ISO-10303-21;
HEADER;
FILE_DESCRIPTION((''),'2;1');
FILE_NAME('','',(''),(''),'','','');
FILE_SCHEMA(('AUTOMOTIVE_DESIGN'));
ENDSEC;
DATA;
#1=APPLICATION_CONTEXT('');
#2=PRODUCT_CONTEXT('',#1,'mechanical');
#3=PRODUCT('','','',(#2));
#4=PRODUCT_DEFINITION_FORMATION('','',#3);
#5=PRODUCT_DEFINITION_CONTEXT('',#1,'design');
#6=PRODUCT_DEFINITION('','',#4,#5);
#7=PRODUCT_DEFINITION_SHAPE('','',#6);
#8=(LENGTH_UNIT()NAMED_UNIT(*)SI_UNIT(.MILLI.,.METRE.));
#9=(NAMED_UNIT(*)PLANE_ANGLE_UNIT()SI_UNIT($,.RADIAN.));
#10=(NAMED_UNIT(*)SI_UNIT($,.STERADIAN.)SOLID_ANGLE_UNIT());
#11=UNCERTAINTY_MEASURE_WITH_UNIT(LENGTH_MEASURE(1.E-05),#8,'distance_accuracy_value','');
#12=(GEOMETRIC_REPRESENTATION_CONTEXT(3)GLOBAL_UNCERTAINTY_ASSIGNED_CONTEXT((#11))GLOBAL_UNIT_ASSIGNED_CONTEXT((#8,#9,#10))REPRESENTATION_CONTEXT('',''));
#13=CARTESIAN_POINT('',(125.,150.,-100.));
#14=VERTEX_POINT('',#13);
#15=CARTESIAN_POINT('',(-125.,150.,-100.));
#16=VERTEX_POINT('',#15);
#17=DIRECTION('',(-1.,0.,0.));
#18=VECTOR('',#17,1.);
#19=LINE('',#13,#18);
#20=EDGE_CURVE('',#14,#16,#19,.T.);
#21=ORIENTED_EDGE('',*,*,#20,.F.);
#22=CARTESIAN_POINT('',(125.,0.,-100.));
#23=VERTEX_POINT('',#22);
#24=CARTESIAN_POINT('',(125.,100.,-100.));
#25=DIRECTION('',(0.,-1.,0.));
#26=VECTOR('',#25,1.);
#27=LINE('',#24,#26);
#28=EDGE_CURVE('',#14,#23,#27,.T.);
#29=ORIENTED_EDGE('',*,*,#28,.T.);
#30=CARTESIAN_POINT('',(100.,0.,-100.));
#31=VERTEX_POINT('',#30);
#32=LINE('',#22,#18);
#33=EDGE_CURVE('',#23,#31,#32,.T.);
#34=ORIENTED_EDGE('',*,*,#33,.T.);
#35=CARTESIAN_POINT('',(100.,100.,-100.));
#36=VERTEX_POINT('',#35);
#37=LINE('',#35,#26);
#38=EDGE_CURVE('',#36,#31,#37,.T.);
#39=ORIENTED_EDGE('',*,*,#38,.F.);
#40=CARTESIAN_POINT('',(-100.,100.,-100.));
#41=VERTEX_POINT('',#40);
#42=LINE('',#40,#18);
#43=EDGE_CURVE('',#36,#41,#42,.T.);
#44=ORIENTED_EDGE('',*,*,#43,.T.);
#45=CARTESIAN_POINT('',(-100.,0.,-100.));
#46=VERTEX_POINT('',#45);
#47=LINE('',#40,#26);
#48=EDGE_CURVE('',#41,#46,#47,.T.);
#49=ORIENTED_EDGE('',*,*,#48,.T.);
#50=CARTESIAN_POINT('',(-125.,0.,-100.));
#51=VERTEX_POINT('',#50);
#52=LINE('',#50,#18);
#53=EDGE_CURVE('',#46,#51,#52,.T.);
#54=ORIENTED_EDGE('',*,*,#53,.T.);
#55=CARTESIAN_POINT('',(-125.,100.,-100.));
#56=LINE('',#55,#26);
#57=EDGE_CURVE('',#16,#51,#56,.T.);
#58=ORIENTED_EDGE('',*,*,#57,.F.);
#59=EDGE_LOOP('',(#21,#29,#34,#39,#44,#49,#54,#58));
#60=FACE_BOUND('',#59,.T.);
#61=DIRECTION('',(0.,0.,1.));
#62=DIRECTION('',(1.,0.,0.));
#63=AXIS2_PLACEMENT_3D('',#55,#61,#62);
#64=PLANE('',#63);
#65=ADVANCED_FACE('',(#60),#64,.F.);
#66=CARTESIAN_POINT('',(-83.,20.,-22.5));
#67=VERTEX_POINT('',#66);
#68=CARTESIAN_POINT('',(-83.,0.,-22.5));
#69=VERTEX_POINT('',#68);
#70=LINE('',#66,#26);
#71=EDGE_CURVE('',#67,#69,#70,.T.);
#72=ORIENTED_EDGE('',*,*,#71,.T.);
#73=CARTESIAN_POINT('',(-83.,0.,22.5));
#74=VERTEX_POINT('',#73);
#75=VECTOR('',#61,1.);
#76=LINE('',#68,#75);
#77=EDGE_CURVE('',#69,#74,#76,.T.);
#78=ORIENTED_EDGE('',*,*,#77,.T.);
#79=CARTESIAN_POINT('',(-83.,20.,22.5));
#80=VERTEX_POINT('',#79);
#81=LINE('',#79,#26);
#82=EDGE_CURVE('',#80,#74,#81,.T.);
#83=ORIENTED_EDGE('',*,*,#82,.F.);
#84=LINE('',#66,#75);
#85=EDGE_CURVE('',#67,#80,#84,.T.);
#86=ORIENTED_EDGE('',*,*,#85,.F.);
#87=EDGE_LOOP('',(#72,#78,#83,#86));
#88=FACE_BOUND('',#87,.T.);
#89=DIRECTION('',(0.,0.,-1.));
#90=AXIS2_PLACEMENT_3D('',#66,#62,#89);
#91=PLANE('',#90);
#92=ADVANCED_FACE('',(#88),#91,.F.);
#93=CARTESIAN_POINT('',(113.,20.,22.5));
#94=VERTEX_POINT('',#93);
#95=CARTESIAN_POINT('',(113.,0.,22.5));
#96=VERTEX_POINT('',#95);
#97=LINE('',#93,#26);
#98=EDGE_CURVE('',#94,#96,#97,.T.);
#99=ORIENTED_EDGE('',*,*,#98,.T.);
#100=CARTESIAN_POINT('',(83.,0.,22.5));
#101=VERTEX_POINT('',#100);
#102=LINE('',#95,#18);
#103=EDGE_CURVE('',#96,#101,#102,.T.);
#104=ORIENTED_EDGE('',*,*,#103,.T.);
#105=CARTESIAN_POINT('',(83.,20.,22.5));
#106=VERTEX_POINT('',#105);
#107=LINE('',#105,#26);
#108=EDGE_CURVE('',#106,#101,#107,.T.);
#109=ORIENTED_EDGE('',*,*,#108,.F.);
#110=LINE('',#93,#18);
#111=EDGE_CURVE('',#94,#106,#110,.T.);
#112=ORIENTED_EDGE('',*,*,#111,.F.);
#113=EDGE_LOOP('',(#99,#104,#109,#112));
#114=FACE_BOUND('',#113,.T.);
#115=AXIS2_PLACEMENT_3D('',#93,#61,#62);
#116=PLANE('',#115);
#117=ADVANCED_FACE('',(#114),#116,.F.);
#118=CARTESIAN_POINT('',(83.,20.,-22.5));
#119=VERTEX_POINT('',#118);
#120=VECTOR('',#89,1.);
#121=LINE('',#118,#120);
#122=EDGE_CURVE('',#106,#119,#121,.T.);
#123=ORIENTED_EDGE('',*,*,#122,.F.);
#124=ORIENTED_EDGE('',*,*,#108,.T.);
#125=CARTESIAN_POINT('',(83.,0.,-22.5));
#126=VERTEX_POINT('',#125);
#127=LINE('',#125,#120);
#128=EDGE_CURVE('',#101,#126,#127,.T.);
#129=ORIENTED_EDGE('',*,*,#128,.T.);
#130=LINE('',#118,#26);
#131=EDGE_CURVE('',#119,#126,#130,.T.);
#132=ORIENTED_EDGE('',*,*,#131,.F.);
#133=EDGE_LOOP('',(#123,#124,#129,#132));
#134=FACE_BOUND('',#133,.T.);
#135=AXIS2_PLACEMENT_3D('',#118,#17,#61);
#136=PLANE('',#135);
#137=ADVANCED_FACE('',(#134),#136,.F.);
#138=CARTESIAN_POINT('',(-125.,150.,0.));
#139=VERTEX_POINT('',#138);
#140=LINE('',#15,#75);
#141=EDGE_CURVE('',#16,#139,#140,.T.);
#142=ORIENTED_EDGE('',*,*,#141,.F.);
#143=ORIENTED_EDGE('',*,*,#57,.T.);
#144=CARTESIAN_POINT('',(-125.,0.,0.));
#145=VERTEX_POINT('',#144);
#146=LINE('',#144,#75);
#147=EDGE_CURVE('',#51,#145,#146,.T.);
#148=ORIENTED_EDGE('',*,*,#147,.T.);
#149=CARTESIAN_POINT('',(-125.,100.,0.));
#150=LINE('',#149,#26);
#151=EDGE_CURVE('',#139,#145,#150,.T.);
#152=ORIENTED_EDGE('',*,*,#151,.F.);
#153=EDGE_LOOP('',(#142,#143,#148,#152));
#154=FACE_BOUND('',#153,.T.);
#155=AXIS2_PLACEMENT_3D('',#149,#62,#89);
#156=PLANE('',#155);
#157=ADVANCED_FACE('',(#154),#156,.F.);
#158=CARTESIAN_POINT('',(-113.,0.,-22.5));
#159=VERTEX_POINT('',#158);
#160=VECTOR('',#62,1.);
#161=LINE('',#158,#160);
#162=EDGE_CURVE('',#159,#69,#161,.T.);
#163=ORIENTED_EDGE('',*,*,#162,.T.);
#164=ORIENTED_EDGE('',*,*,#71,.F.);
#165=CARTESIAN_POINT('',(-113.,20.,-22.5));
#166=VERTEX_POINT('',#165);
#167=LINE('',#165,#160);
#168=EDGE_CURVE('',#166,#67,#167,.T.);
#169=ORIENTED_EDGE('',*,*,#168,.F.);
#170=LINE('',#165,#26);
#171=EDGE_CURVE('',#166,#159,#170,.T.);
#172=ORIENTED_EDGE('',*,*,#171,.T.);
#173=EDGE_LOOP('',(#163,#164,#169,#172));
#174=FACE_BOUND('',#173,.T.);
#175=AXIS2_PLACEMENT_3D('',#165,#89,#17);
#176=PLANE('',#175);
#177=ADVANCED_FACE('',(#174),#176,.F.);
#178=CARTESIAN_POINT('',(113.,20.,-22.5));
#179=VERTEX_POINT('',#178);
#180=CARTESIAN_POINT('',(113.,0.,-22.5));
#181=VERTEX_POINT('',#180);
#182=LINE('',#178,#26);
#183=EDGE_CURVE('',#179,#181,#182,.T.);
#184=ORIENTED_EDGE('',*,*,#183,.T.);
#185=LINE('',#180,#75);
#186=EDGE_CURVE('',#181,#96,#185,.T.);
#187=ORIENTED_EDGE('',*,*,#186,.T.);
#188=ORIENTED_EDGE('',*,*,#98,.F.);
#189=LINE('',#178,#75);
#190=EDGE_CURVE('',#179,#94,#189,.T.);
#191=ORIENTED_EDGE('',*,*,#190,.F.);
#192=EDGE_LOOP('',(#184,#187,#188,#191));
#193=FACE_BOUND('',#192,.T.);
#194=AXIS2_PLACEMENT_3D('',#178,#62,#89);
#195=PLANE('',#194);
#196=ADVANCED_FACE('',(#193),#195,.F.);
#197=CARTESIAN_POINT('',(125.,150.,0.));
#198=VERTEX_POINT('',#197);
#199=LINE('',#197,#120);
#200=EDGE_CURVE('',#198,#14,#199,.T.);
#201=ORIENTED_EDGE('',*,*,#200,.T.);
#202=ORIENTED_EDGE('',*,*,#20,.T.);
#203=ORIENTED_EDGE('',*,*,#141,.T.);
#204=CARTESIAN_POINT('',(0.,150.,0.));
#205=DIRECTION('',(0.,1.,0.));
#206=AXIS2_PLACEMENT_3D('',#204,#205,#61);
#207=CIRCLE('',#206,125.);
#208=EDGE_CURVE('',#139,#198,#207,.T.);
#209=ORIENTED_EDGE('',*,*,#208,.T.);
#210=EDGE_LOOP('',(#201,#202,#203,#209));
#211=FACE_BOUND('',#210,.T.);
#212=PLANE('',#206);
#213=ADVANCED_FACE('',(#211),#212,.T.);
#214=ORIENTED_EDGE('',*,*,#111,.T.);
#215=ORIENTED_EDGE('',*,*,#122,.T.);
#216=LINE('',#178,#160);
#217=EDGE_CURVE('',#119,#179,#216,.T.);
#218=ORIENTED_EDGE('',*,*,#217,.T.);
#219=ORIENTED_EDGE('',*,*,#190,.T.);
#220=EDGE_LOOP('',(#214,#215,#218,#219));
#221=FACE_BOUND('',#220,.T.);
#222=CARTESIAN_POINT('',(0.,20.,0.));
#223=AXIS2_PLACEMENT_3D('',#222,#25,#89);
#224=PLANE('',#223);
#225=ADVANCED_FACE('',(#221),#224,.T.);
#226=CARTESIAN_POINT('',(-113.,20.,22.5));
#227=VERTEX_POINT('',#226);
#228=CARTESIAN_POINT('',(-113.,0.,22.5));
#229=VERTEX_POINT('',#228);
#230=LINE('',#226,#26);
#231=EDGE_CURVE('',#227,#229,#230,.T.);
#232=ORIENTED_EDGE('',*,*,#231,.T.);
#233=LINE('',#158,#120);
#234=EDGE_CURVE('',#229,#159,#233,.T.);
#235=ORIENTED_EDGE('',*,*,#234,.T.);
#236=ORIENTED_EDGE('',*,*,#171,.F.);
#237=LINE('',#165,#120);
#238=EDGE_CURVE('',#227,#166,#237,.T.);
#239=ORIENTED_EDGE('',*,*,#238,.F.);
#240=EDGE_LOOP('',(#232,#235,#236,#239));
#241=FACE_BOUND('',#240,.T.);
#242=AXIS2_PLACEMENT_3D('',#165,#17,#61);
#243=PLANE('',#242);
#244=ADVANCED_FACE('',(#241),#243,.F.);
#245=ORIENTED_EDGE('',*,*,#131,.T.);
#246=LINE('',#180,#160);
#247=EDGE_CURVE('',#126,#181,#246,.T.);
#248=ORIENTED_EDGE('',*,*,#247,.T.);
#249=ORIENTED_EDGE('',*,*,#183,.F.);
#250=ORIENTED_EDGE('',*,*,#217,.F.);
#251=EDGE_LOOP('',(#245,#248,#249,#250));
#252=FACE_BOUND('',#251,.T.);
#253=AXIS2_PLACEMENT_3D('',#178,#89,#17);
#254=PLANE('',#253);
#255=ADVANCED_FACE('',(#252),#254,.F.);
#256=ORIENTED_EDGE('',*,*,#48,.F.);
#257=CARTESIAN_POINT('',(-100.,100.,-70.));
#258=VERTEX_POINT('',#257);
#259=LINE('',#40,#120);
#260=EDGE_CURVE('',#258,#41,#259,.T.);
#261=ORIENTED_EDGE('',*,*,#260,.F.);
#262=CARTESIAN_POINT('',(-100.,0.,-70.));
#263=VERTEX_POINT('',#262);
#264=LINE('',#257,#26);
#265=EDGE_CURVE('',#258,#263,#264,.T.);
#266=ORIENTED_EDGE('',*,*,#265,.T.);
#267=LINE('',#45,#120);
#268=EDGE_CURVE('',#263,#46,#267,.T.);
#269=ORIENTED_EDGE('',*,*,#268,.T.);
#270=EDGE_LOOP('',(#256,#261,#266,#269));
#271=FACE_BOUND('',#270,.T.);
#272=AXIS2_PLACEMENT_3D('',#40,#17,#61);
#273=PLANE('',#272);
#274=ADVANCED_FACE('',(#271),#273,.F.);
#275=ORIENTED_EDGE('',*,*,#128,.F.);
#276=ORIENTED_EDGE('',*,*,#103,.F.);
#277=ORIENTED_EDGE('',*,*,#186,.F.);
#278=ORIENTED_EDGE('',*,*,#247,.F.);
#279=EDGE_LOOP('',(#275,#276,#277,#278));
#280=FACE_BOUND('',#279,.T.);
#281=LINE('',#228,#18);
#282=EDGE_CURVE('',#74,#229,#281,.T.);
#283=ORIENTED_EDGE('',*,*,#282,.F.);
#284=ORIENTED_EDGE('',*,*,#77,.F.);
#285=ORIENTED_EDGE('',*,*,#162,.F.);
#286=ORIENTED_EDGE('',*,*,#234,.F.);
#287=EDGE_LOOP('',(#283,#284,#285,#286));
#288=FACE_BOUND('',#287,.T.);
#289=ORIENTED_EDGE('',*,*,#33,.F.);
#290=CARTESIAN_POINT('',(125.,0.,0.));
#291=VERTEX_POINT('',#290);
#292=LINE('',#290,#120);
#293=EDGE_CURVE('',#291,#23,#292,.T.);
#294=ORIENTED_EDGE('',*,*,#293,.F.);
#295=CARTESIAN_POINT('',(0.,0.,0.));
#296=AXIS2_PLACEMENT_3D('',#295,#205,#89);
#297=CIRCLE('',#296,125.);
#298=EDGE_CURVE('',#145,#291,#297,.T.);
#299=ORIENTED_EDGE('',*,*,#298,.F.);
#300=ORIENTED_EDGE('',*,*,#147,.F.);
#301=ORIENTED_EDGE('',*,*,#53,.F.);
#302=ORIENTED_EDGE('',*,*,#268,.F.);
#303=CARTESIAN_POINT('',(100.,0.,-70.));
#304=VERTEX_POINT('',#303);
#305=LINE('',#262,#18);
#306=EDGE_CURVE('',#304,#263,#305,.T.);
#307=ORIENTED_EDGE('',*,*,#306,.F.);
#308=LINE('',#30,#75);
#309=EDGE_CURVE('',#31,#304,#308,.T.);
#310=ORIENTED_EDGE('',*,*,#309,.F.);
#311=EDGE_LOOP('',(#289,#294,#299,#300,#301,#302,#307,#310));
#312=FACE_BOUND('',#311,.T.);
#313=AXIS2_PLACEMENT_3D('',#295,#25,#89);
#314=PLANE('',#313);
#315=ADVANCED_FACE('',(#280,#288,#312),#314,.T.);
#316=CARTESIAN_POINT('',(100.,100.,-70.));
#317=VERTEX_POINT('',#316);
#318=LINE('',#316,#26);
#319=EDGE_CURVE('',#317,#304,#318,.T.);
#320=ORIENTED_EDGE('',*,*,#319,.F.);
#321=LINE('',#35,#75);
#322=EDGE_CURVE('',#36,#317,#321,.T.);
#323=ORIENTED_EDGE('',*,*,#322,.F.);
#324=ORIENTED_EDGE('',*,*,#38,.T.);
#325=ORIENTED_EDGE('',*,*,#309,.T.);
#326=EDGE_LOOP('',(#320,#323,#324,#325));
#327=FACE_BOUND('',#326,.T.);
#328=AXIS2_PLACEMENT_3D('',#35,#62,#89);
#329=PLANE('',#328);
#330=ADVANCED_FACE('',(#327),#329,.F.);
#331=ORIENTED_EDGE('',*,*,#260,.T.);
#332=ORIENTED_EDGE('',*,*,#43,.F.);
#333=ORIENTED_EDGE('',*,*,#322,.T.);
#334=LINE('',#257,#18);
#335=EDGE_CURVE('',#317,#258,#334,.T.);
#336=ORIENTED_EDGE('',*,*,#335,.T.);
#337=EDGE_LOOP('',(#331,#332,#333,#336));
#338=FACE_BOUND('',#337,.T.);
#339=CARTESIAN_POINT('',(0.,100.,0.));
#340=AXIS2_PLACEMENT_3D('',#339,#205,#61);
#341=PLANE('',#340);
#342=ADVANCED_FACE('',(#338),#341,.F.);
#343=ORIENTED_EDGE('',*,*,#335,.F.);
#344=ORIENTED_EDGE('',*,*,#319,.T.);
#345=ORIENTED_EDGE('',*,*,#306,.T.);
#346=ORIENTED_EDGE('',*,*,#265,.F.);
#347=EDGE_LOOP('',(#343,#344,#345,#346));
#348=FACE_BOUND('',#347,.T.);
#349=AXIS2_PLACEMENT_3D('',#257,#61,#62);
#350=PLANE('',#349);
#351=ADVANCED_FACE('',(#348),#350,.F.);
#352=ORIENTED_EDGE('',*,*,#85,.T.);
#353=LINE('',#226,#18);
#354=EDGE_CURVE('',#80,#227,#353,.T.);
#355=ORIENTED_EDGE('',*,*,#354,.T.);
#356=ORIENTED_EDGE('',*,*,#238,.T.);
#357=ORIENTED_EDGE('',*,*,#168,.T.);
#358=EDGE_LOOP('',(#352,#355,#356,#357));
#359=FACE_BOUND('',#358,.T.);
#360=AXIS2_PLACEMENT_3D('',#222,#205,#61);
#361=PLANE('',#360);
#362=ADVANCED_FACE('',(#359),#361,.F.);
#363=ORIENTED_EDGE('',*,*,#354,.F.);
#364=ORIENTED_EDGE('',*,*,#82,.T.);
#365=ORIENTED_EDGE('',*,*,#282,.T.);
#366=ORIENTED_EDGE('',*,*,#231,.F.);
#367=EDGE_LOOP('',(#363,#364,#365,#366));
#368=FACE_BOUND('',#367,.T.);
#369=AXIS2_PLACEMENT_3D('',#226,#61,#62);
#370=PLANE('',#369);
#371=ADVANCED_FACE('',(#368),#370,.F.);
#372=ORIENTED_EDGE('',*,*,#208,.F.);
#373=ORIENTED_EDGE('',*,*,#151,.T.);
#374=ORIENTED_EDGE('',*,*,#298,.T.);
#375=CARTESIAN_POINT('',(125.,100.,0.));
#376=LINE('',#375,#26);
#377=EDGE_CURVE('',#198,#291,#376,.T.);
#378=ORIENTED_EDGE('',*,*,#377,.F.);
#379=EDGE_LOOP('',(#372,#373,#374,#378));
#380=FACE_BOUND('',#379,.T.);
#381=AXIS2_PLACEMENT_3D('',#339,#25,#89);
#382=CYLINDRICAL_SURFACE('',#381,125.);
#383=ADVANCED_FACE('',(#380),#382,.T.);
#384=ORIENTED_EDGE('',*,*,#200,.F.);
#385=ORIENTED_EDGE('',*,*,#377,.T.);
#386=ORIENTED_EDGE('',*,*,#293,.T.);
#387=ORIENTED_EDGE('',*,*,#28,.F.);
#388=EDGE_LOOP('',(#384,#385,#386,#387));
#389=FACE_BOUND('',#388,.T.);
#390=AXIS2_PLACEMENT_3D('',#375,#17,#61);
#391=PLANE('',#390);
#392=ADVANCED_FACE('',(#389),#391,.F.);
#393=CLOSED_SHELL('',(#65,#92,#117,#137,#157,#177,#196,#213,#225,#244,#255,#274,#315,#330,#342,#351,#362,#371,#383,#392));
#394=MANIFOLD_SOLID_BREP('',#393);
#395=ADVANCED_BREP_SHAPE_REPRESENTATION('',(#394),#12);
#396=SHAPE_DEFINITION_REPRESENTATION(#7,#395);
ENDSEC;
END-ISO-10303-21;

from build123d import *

# Parameters (mm, degrees)
BOSS_EXTRUDE1_DEPTH = 100
BOSS_EXTRUDE2_DEPTH = 50
SKETCH5_W           = 30
SKETCH5_H           = 45
CUT_EXTRUDE1_DEPTH  = 20


with BuildPart() as part:
    # Sketch3 → Boss-Extrude1 (new body)
    with BuildSketch(Plane(origin=(0, 0, 0), x_dir=(1, 0, 0), z_dir=(0, 1, 0))):
        with BuildLine():
            Line((-125, 0), (-125, 100))
            Line((-125, 100), (-100, 100))
            Line((-100, 100), (-100, 70))
            Line((-100, 70), (100, 70))
            Line((100, 70), (100, 100))
            Line((100, 100), (125, 100))
            Line((125, 100), (125, 0))
            ThreePointArc((125, 0), (0, -125), (-125, 0))
        make_face()
    extrude(amount=BOSS_EXTRUDE1_DEPTH)

    # Sketch4 → Boss-Extrude2 (add)
    with BuildSketch(Plane(origin=(0, 100, 0), x_dir=(1, 0, 0), z_dir=(0, 1, 0))):
        with BuildLine():
            Line((-100, 100), (100, 100))
            Line((100, 100), (125, 100))
            Line((125, 100), (125, 0))
            ThreePointArc((125, 0), (0, -125), (-125, 0))
            Line((-125, 0), (-125, 100))
            Line((-125, 100), (-100, 100))
        make_face()
    extrude(amount=BOSS_EXTRUDE2_DEPTH)

    # Sketch5 → Cut-Extrude1 (cut)
    with BuildSketch(Plane.XZ):
        with Locations((-98, 0)):
            Rectangle(SKETCH5_W, SKETCH5_H)
        with Locations((98, 0)):
            Rectangle(SKETCH5_W, SKETCH5_H)
    extrude(amount=-CUT_EXTRUDE1_DEPTH, mode=Mode.SUBTRACT)


solid = part.part
